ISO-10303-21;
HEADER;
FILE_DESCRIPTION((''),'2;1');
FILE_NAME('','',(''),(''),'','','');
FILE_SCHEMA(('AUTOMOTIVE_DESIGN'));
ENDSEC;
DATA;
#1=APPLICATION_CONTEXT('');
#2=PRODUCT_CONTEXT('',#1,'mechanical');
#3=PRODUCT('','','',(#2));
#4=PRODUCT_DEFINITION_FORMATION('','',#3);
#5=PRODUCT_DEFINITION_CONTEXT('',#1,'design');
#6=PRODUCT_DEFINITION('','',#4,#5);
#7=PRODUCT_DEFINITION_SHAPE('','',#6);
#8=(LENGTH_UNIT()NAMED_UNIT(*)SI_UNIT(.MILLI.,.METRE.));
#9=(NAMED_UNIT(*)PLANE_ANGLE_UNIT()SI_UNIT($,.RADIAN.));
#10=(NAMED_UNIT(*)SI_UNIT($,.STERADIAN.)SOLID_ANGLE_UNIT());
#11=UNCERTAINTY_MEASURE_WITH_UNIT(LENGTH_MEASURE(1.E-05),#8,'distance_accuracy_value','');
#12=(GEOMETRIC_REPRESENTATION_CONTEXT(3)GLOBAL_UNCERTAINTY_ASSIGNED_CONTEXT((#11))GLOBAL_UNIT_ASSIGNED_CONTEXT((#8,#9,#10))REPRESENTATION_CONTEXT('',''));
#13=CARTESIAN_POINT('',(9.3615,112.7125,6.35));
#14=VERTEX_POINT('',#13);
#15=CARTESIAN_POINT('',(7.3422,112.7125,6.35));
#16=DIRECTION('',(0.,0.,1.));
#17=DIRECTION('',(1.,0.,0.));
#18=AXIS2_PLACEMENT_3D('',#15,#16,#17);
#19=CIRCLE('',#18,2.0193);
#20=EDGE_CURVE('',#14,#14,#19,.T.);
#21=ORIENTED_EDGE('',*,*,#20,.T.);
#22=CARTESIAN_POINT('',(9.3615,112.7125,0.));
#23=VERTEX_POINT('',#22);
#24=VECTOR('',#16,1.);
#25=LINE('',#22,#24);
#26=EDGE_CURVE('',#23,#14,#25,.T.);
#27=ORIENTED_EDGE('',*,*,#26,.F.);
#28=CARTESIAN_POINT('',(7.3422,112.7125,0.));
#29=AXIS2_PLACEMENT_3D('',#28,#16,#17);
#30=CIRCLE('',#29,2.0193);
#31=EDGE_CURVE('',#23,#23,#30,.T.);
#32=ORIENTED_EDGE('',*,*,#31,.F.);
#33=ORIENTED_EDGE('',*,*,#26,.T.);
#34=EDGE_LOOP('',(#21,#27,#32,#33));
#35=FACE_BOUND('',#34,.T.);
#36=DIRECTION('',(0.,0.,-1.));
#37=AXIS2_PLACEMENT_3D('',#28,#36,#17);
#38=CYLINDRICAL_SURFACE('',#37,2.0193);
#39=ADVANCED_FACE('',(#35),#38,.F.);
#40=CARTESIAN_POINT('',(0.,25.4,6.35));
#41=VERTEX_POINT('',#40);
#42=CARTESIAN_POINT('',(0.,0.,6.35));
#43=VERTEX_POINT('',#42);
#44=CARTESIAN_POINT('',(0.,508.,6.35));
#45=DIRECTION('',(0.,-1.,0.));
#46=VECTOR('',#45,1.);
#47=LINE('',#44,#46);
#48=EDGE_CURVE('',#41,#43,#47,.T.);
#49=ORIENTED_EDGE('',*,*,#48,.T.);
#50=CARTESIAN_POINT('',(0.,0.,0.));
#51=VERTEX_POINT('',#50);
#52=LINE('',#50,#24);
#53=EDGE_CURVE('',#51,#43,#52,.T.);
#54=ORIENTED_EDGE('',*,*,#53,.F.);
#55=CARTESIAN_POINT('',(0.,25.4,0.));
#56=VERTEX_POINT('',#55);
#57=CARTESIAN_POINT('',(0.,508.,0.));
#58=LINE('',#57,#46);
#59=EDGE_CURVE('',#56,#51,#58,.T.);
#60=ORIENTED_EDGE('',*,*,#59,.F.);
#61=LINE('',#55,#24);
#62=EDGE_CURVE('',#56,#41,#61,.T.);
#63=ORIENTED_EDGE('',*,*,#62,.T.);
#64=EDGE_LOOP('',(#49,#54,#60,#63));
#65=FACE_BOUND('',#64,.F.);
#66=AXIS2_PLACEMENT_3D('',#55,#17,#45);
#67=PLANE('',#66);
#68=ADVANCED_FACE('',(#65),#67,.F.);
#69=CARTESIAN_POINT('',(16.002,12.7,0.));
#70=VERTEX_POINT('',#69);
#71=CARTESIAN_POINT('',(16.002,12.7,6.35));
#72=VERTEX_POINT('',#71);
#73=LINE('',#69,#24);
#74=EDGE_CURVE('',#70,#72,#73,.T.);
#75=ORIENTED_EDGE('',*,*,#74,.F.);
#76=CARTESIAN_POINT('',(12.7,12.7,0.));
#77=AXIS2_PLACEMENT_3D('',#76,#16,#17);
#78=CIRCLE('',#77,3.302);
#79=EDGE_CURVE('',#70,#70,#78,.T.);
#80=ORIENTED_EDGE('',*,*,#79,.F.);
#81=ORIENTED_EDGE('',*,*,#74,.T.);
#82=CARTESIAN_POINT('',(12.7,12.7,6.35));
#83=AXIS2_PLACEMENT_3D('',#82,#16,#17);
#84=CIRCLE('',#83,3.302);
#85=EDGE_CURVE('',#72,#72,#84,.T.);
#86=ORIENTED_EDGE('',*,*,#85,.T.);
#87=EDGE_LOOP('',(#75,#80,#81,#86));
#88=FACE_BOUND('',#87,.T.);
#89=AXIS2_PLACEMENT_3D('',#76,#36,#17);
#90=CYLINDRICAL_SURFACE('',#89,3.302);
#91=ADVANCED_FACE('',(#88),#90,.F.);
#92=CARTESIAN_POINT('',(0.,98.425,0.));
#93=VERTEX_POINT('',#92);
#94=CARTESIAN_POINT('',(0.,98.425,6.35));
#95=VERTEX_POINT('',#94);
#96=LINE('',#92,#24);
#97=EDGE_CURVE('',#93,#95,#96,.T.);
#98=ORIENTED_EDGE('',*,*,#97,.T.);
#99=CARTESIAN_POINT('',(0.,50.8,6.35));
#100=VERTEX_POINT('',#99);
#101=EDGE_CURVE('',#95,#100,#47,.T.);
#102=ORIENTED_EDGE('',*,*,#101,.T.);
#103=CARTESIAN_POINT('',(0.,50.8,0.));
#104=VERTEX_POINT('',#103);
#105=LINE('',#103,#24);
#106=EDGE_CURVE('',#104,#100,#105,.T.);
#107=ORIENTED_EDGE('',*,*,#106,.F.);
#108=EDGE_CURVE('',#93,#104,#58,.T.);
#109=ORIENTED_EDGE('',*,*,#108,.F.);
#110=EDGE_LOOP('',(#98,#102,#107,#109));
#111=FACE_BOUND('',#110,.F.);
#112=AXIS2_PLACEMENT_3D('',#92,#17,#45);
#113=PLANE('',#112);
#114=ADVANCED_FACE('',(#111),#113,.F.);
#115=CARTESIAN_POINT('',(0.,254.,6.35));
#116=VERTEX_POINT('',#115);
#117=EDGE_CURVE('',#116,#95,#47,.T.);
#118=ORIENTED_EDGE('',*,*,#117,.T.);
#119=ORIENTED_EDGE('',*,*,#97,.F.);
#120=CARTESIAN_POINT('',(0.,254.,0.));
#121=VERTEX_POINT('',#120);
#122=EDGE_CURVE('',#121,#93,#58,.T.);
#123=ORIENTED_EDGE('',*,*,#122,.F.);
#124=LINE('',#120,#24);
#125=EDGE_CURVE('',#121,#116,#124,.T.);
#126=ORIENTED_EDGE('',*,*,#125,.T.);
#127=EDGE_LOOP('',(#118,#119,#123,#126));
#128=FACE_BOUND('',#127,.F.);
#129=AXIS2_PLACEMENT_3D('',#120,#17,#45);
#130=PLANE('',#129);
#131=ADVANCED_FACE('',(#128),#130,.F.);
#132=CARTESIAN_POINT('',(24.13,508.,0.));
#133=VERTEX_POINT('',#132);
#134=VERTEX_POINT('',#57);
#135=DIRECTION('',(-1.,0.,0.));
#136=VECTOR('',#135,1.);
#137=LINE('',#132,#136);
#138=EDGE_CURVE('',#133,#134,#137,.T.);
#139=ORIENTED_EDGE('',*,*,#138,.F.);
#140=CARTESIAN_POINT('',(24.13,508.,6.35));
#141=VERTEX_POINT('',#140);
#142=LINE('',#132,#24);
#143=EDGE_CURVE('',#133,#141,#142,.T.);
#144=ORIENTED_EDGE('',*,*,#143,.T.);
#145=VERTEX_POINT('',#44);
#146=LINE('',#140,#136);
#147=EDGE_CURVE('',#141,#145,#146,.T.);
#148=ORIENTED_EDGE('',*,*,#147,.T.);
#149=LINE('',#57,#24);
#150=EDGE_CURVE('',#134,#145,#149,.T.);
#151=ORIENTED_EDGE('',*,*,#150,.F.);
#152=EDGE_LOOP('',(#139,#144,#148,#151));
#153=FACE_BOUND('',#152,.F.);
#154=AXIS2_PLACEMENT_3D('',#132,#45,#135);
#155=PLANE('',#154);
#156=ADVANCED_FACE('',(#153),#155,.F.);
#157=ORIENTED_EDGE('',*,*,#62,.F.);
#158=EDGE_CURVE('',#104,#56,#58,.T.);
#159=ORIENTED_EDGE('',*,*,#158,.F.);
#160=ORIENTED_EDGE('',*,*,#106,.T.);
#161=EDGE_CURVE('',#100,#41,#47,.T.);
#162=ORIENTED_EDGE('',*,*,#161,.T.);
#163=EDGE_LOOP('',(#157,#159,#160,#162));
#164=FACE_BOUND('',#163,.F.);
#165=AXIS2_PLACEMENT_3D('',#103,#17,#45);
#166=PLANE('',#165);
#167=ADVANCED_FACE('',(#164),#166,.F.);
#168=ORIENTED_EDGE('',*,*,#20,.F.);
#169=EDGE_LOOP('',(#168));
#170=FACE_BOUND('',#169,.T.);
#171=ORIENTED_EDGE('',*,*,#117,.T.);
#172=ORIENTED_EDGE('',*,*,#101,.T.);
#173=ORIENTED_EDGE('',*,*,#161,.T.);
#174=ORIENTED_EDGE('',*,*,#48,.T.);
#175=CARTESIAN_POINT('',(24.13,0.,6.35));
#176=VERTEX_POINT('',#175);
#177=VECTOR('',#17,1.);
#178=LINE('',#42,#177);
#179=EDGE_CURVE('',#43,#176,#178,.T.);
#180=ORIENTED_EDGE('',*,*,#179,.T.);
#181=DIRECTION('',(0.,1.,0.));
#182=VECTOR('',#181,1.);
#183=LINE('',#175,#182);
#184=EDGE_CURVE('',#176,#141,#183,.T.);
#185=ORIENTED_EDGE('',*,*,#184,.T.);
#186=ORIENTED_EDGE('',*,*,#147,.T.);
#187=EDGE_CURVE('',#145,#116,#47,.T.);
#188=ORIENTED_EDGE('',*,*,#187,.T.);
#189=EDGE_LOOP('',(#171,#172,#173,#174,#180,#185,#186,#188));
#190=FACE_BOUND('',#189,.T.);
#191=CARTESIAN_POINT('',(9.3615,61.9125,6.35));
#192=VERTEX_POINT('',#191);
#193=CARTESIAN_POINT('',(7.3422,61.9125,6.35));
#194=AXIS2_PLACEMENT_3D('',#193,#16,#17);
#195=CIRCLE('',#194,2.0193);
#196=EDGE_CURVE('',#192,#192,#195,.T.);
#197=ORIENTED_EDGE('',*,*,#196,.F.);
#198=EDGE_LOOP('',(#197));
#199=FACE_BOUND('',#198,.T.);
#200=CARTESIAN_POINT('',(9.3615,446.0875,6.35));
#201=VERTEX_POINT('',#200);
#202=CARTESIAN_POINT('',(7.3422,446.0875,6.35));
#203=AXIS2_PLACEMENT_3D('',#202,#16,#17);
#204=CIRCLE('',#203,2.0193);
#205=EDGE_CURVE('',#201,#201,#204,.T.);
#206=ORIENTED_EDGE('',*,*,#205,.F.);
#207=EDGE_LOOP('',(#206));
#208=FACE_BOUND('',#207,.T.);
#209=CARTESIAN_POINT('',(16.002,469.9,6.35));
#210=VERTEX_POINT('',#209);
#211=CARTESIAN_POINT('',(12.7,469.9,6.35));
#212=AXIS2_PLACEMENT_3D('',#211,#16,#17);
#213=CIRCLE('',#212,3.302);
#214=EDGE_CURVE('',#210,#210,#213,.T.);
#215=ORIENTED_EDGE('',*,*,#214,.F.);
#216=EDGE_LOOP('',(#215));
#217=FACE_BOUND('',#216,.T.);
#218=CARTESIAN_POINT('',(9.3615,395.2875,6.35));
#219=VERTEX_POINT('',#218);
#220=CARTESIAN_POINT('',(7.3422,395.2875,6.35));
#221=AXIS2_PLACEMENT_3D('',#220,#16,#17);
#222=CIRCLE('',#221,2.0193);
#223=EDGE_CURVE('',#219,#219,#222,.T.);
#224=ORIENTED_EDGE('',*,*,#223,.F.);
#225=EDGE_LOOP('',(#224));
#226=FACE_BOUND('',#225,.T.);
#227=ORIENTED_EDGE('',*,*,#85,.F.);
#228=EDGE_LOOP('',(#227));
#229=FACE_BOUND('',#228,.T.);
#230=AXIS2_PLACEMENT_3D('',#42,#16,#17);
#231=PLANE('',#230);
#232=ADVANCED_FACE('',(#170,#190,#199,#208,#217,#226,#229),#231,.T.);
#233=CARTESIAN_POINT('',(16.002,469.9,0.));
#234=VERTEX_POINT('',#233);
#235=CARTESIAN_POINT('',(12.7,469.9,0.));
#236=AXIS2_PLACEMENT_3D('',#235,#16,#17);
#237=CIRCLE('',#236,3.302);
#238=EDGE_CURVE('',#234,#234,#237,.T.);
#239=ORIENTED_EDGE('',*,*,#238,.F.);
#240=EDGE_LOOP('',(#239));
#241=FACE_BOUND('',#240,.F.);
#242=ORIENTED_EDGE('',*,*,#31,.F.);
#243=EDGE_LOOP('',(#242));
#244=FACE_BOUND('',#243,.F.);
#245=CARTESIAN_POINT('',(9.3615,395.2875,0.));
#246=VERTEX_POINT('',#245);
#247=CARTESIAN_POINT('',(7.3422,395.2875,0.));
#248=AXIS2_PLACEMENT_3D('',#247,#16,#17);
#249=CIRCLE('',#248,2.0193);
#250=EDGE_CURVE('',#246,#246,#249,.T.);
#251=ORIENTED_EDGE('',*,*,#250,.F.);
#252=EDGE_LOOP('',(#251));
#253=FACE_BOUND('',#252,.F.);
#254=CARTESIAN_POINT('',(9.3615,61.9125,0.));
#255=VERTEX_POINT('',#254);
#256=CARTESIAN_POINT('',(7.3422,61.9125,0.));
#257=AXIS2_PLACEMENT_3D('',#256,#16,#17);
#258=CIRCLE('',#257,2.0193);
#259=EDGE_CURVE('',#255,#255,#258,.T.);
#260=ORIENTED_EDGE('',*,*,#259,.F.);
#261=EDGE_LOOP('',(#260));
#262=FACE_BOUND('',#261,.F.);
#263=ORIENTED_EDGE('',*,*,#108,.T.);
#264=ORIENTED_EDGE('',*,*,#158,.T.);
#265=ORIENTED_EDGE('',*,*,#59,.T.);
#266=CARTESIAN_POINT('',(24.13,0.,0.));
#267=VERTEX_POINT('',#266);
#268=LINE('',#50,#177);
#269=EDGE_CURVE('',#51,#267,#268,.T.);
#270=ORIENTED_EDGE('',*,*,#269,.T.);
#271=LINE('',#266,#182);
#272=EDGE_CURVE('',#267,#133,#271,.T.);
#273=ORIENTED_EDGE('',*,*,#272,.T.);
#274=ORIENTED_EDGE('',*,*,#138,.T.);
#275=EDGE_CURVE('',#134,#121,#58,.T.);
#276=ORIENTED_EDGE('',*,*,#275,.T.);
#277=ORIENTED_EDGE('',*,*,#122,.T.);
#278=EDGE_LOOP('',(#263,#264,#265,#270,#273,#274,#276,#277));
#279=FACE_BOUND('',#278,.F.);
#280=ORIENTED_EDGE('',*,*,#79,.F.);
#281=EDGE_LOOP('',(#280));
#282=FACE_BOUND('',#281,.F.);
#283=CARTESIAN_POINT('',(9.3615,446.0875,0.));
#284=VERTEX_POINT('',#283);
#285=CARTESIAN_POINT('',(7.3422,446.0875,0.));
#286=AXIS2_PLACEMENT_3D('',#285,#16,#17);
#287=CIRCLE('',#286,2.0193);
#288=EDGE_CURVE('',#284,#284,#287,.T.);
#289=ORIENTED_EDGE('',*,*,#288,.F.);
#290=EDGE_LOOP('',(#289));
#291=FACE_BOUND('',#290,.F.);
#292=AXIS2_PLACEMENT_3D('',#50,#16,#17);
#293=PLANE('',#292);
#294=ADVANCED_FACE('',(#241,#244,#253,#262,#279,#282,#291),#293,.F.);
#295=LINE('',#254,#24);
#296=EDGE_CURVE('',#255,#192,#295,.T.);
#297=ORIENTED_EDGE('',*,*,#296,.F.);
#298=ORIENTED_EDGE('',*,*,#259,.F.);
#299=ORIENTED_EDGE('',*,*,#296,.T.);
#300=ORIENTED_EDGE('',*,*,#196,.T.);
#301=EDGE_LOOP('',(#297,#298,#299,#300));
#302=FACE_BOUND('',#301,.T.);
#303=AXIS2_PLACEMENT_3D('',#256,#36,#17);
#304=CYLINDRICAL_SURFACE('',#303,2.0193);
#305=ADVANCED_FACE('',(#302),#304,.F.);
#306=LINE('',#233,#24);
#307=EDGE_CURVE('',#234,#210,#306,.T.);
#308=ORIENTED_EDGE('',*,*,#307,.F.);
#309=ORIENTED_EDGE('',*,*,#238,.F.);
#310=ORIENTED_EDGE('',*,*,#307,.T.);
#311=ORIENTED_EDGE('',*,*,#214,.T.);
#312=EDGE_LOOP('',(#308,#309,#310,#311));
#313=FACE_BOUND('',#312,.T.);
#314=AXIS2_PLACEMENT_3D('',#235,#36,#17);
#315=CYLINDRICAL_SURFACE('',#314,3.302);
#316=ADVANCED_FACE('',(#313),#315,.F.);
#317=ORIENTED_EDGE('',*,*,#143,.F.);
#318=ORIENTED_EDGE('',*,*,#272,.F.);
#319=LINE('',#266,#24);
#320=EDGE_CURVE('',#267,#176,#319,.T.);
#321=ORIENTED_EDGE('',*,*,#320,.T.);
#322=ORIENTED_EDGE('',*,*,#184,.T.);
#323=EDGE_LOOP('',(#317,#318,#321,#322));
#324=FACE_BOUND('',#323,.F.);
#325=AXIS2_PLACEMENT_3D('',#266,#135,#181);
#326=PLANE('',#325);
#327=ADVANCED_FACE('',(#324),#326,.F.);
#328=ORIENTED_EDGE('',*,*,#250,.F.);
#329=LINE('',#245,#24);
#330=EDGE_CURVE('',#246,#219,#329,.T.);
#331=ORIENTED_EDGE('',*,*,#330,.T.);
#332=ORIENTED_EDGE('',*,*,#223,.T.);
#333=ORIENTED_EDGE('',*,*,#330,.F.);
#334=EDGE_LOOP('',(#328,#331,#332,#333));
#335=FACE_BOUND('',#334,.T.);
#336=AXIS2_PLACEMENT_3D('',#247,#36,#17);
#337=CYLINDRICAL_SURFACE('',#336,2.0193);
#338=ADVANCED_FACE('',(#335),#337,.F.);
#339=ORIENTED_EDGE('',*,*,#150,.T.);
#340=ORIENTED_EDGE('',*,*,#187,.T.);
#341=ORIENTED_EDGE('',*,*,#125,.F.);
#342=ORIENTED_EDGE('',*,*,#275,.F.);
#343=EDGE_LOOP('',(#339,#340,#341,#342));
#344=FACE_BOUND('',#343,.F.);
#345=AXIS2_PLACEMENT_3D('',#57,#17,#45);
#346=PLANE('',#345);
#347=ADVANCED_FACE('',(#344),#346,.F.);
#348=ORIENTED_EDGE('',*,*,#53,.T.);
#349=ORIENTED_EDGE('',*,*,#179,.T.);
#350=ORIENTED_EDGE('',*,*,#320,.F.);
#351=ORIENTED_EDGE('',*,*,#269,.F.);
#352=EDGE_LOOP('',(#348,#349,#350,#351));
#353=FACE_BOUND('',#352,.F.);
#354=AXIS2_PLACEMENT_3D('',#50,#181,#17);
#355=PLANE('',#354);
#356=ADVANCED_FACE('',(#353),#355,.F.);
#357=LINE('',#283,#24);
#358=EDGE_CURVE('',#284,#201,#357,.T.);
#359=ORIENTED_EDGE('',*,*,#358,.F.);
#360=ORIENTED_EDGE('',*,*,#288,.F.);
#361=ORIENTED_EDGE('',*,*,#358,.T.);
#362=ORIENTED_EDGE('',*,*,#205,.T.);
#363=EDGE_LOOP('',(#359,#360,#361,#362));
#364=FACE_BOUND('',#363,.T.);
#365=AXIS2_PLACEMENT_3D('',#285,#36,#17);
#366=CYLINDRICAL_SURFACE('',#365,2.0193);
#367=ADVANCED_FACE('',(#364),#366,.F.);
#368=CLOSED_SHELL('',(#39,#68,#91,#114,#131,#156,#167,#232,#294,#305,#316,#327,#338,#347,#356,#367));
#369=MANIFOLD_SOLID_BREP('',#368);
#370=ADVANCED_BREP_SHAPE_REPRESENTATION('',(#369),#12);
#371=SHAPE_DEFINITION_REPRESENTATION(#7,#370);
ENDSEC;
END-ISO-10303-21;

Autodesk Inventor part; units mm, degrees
ref_plane "YZ Plane" through (0, 0, 0) normal (1, 0, 0) x (0, 1, 0)
ref_plane "XZ Plane" through (0, 0, 0) normal (0, 1, 0) x (-1, 0, 0)
ref_plane "XY Plane" through (0, 0, 0) normal (0, 0, 1) x (1, 0, 0)
sketch "Sketch1" plane through (0, 0, 0) normal (0, 0, 1) x (1, 0, 0)
  line L0 (0, 0) -> (24.13, 0)
  line L1 (24.13, 0) -> (24.13, 508)
  line L2 (24.13, 508) -> (0, 508)
  line L3 (0, 508) -> (0, 0)
  line L4 (0, 0) -> (25.4, 0)
  line L5 (25.4, 0) -> (25.4, 25.4)
  line L6 (25.4, 50.8) -> (0, 50.8) construction
  line L7 (0, 25.4) -> (0, 0)
  line L8 (0, 50.8) -> (25.4, 50.8) construction
  line L9 (25.4, 25.4) -> (25.4, 98.425)
  line L10 (25.4, 123.825) -> (0, 123.825) construction
  line L11 (0, 98.425) -> (0, 25.4)
  line L12 (25.4, 98.425) -> (25.4, 87.3125)
  line L13 (25.4, 112.7125) -> (7.3422, 112.7125) construction
  circle A0 centre (7.3422, 112.7125) radius 2.0193
  line L14 (25.4, 87.3125) -> (25.4, 61.9125)
  line L15 (25.4, 87.3125) -> (8.6883, 87.3125) construction
  circle A1 centre (7.3422, 61.9125) radius 2.0193
  line L16 (0, 25.4) -> (0, 50.8)
  line L17 (0, 25.4) -> (12.7, 25.4) construction
  line L18 (0, 0) -> (0, 254)
  line L19 (0, 254) -> (96.9317, 254) construction
  circle A2 centre (7.3422, 395.2875) radius 2.0193
  circle A3 centre (7.3422, 446.0875) radius 2.0193
  circle A4 centre (12.7, 469.9) radius 3.302
  circle A5 centre (12.7, 12.7) radius 3.302
  dimension "d0" = 24.13
  dimension "d1" = 508
  dimension "d2" = 25.4
  dimension "d3" = 73.025
  dimension "d4" = 11.1125
  dimension "d5" = 18.0578
  dimension "d6" = 4.0386
  dimension "d7" = 25.4
  dimension "d8" = 25.4
  dimension "d12" = 254
  dimension "d16" = 6.604
extrude "Extrusion2" add sketch "Sketch1" along normal blind 6.35
properties part number "vrRig_v08_enclosure_hingeMount"
